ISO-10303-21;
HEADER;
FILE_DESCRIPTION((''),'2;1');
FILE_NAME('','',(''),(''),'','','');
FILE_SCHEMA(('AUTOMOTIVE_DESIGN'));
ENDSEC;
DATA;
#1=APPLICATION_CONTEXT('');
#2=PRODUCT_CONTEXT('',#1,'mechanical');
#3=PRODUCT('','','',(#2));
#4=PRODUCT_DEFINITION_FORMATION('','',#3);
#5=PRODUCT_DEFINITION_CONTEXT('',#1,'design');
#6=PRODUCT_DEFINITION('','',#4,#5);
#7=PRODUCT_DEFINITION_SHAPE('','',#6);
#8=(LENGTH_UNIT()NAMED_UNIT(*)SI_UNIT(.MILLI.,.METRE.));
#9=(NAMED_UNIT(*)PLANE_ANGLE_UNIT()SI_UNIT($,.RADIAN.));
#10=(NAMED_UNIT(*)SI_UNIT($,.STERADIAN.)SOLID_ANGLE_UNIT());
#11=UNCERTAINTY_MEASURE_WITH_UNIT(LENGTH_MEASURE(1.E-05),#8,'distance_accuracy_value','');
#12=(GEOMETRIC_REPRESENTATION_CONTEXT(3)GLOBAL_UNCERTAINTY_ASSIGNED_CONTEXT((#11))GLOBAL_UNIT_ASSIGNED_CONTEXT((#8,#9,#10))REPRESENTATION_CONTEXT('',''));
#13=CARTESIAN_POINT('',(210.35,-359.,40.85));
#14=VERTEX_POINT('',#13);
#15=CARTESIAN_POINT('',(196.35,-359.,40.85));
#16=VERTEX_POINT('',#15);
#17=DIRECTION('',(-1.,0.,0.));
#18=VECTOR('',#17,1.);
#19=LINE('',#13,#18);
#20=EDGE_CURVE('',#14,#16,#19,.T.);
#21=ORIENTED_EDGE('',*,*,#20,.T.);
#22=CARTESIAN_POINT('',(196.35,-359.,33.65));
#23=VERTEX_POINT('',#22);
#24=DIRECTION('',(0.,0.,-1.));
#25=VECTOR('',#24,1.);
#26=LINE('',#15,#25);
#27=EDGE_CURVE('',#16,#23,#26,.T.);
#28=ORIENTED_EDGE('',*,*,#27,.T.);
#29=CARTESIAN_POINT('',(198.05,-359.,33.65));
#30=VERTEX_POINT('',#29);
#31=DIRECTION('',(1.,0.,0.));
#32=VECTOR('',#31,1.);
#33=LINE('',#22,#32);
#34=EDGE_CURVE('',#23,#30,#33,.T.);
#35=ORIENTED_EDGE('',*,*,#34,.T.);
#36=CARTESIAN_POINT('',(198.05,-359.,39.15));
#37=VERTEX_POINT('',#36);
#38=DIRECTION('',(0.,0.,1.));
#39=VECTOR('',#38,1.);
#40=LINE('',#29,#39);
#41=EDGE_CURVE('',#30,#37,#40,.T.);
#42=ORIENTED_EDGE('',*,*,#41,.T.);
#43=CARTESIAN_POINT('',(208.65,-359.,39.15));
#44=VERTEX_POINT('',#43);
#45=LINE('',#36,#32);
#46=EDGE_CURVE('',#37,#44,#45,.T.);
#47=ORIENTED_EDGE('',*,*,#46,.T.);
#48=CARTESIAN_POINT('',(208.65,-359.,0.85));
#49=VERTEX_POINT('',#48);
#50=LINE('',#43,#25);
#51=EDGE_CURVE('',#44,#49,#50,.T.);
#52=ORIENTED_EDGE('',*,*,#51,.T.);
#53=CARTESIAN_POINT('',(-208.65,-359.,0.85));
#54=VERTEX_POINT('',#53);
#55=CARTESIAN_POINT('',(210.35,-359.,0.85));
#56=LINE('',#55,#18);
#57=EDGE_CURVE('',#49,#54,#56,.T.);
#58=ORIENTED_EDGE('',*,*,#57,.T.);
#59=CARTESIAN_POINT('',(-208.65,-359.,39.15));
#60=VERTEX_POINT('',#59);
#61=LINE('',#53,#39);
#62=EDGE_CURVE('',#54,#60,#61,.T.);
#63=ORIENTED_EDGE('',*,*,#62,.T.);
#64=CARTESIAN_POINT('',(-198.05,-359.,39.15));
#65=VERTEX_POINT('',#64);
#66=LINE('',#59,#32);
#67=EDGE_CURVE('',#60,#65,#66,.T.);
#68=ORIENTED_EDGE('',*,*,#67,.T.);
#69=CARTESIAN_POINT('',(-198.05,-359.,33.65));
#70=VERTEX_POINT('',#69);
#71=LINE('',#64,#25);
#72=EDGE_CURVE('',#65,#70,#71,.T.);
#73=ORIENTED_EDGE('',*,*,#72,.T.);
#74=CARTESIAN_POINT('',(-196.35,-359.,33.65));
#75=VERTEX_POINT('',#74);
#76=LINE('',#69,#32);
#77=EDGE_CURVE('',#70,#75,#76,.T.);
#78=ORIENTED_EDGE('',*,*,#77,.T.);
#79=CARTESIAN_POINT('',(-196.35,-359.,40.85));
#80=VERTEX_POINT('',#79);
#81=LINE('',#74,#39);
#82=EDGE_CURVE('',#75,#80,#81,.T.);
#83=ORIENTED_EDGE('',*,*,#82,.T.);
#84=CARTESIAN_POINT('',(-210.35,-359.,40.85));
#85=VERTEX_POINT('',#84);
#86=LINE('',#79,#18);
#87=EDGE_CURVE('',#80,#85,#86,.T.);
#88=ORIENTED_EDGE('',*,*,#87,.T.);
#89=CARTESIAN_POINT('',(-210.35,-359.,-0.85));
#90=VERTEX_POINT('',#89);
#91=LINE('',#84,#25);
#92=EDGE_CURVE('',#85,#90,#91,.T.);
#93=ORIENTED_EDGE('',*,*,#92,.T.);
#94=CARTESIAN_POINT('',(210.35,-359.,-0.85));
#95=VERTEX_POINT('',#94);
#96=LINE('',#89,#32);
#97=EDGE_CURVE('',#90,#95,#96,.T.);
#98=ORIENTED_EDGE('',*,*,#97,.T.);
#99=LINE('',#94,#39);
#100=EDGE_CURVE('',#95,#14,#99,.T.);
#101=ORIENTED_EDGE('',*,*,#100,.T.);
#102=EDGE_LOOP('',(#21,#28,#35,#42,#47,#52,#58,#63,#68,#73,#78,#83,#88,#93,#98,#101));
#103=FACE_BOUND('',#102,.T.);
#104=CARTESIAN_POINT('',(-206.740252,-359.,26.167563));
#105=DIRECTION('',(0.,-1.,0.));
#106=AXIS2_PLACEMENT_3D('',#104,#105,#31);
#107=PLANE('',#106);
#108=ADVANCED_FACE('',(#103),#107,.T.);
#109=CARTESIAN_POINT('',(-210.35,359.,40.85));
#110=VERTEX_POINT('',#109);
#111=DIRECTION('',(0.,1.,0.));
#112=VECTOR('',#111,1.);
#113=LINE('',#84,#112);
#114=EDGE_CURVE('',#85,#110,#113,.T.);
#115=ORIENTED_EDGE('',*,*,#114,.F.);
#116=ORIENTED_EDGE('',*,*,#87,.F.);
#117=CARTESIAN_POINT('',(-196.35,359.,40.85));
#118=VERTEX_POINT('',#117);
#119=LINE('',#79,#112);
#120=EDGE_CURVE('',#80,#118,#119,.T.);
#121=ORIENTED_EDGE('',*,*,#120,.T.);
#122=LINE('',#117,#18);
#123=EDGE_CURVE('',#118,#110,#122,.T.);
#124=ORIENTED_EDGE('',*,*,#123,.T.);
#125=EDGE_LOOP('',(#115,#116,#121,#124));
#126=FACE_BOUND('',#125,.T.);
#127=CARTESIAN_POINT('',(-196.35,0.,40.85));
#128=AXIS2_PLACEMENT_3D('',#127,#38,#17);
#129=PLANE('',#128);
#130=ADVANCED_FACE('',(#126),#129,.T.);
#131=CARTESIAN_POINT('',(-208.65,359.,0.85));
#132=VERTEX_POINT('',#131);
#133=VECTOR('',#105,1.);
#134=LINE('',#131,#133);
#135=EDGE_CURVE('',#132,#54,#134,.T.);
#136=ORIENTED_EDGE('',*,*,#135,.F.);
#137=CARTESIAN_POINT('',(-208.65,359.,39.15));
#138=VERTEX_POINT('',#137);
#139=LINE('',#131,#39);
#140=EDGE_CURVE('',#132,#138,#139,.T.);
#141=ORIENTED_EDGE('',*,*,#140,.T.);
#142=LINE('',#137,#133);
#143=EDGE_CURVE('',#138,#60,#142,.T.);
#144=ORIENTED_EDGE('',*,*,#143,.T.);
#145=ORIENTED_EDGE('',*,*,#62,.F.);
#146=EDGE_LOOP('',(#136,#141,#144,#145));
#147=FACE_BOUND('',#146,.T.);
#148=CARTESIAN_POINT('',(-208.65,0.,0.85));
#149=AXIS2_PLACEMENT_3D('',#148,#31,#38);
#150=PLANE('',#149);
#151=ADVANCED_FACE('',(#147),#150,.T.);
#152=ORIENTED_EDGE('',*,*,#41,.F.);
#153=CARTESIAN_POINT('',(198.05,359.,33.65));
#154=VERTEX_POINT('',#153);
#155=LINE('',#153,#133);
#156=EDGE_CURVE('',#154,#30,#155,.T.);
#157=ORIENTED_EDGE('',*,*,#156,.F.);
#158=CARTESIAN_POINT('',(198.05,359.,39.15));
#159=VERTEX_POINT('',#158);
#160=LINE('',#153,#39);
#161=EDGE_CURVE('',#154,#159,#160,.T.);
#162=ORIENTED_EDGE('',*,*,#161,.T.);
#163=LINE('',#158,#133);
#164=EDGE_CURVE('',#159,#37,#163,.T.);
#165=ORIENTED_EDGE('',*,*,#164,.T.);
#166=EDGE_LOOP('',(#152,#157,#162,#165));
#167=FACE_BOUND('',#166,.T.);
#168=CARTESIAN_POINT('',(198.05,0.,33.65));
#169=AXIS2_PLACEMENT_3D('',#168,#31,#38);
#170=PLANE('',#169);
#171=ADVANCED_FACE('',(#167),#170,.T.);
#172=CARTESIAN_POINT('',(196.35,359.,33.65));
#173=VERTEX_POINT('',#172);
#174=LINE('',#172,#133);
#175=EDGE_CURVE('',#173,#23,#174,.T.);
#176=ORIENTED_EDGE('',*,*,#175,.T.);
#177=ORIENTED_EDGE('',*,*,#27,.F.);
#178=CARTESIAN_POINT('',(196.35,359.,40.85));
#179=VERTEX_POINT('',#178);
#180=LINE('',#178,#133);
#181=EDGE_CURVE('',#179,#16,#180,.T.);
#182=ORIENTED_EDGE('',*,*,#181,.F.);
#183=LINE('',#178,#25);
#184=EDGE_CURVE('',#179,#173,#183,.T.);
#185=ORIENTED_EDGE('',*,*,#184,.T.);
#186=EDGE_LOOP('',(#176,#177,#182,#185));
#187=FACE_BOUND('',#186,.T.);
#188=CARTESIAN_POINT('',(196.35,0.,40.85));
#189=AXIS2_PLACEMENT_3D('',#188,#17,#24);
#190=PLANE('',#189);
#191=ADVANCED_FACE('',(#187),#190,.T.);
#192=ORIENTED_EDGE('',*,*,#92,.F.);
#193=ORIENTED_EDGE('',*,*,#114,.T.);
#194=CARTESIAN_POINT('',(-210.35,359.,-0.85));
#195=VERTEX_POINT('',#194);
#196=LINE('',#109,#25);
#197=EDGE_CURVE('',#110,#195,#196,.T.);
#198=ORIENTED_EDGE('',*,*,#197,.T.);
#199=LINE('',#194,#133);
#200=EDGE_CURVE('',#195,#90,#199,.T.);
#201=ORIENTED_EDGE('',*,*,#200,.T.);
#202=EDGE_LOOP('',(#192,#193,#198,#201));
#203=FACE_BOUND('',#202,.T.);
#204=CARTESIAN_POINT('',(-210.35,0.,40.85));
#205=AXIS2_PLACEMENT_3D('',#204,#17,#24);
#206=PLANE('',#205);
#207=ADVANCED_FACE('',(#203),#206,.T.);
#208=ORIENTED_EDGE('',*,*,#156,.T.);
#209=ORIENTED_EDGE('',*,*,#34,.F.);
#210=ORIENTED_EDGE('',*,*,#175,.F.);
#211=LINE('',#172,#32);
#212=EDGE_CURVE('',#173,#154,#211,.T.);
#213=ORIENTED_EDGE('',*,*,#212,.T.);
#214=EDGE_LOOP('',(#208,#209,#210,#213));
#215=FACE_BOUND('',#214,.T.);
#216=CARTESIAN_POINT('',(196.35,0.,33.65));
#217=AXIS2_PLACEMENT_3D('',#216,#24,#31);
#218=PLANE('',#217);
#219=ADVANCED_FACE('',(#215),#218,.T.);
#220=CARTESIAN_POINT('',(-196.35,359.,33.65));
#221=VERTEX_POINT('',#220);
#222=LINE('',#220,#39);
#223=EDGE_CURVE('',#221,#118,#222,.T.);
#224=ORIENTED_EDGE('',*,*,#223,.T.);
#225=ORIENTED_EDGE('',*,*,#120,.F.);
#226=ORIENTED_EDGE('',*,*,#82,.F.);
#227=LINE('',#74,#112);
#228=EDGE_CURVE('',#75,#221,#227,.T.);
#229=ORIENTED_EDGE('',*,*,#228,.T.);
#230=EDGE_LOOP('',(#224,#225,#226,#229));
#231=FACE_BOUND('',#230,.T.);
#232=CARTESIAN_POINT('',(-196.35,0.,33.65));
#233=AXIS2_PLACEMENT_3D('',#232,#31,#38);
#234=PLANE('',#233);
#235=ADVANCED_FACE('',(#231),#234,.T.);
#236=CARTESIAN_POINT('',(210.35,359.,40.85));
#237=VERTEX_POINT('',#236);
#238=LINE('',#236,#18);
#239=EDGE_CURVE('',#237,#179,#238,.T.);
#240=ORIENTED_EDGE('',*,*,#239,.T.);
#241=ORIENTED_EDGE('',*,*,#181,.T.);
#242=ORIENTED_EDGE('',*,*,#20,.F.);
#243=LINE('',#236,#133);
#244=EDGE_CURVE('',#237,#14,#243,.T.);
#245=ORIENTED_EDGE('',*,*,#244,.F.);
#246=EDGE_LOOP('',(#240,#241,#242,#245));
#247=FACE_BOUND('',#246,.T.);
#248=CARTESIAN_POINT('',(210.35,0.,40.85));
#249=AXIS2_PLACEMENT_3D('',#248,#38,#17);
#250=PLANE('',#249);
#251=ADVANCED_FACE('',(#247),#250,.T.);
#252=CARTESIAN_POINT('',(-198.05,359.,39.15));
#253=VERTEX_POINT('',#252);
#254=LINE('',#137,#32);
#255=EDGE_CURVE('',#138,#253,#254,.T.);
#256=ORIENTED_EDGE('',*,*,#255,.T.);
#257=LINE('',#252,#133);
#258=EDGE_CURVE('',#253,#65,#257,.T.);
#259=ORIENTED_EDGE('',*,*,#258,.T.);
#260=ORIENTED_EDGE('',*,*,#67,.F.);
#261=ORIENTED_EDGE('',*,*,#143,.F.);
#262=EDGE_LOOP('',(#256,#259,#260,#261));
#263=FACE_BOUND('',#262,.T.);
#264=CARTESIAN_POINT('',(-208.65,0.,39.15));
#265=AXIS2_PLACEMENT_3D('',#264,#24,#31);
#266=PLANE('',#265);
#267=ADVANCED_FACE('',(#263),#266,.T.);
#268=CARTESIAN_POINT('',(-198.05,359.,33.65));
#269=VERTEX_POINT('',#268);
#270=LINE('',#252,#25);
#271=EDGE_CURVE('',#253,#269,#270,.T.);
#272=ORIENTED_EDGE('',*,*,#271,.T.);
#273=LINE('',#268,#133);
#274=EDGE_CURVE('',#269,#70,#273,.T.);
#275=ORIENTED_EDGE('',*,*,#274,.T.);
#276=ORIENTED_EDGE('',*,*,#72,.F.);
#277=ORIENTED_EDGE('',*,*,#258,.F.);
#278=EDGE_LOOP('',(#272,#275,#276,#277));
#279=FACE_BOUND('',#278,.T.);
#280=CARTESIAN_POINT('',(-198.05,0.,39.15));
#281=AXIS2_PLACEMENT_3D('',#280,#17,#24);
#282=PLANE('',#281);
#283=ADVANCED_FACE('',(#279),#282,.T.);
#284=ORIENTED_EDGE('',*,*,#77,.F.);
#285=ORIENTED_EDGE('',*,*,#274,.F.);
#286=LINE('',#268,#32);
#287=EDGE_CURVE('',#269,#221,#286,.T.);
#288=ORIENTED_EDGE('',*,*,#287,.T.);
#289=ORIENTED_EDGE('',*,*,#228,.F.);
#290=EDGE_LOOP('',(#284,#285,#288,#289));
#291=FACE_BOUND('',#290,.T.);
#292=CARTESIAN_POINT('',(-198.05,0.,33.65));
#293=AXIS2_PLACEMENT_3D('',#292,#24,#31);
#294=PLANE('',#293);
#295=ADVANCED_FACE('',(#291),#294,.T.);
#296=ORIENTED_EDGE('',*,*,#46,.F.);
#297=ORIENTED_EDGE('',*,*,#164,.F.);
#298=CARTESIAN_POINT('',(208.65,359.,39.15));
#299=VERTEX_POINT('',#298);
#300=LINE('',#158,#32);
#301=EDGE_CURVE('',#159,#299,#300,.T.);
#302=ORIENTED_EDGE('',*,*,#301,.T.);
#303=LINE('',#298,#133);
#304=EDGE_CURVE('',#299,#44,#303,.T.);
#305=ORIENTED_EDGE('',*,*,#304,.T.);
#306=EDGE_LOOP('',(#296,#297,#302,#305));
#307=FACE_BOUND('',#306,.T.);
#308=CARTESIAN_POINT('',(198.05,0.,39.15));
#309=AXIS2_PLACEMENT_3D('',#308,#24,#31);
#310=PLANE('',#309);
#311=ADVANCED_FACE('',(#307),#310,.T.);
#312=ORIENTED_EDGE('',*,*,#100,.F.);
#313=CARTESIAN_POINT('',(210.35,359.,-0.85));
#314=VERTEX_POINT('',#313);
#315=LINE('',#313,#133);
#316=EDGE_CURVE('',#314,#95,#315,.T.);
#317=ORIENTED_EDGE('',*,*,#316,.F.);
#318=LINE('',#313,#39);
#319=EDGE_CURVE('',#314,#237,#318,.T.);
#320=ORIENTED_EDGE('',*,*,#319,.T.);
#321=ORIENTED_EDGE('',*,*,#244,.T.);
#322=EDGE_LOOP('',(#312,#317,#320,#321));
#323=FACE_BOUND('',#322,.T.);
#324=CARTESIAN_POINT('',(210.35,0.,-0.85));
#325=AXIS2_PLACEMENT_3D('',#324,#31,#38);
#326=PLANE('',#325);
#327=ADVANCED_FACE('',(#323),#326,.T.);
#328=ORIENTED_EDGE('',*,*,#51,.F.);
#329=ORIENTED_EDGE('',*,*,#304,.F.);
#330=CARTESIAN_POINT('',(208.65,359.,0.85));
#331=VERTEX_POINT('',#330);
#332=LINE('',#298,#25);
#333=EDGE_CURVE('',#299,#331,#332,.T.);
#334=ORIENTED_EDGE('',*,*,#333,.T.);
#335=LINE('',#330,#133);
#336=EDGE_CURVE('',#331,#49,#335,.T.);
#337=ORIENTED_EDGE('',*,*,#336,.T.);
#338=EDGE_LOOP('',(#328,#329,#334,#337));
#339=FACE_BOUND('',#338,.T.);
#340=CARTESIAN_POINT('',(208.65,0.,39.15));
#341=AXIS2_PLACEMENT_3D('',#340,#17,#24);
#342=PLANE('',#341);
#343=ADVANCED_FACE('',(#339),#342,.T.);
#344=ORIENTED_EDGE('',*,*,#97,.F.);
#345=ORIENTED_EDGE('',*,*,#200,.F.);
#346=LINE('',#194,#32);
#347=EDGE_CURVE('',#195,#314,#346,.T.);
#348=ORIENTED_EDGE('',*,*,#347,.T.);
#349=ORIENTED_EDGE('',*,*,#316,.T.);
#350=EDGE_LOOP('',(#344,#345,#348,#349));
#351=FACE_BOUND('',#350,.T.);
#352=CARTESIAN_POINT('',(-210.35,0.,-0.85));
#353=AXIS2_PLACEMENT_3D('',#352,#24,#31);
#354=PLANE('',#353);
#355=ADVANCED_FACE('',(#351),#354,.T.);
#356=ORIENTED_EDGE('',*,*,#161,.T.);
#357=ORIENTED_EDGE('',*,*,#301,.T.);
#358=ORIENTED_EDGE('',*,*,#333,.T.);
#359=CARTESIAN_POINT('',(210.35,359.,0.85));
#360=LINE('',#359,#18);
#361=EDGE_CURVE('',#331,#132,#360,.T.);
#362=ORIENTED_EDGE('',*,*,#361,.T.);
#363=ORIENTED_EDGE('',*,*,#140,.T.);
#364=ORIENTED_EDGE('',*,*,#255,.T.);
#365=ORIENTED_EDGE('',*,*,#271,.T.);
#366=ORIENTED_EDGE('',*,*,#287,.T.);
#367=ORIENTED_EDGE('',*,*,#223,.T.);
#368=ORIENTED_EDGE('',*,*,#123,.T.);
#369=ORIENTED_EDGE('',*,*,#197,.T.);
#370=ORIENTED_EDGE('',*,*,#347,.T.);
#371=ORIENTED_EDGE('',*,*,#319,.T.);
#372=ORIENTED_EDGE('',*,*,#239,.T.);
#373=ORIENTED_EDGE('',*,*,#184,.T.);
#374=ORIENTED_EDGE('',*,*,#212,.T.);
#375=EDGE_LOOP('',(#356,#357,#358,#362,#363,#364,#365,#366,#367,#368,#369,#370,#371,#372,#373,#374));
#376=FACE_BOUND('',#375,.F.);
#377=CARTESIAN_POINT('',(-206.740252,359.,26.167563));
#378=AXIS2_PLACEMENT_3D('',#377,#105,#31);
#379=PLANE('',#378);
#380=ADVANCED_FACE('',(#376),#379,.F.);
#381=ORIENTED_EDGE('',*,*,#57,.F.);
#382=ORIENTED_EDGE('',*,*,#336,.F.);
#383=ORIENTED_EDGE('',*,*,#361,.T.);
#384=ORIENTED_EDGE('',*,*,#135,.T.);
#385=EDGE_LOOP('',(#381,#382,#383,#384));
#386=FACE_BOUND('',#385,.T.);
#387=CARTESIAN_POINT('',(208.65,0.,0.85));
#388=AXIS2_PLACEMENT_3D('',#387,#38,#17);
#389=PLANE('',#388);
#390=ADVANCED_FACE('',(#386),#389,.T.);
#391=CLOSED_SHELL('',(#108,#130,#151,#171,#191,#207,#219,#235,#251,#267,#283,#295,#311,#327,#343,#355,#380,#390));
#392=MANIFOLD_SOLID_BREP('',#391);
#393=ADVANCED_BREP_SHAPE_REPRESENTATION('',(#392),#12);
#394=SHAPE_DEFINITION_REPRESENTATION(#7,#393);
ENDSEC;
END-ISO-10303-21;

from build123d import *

# Parameters (mm, degrees)
F1_DEPTH = 359


with BuildPart() as f1:
    # F0 (on Front) → F1 (new body, symmetric)
    with BuildSketch(Plane.XZ):
        Polygon((-210.35, 40.85), (-210.35, 0.85), (-208.65, 0.85), (-208.65, 39.15), (-198.05, 39.15), (-198.05, 33.65), (-196.35, 33.65), (-196.35, 40.85), align=None)
        Polygon((-208.65, 0.85), (-210.35, 0.85), (-210.35, -0.85), (210.35, -0.85), (210.35, 0.85), (208.65, 0.85), align=None)
        Polygon((208.65, 39.15), (208.65, 0.85), (210.35, 0.85), (210.35, 40.85), (196.35, 40.85), (196.35, 33.65), (198.05, 33.65), (198.05, 39.15), align=None)
    extrude(amount=F1_DEPTH, both=True)


solid = f1.part
